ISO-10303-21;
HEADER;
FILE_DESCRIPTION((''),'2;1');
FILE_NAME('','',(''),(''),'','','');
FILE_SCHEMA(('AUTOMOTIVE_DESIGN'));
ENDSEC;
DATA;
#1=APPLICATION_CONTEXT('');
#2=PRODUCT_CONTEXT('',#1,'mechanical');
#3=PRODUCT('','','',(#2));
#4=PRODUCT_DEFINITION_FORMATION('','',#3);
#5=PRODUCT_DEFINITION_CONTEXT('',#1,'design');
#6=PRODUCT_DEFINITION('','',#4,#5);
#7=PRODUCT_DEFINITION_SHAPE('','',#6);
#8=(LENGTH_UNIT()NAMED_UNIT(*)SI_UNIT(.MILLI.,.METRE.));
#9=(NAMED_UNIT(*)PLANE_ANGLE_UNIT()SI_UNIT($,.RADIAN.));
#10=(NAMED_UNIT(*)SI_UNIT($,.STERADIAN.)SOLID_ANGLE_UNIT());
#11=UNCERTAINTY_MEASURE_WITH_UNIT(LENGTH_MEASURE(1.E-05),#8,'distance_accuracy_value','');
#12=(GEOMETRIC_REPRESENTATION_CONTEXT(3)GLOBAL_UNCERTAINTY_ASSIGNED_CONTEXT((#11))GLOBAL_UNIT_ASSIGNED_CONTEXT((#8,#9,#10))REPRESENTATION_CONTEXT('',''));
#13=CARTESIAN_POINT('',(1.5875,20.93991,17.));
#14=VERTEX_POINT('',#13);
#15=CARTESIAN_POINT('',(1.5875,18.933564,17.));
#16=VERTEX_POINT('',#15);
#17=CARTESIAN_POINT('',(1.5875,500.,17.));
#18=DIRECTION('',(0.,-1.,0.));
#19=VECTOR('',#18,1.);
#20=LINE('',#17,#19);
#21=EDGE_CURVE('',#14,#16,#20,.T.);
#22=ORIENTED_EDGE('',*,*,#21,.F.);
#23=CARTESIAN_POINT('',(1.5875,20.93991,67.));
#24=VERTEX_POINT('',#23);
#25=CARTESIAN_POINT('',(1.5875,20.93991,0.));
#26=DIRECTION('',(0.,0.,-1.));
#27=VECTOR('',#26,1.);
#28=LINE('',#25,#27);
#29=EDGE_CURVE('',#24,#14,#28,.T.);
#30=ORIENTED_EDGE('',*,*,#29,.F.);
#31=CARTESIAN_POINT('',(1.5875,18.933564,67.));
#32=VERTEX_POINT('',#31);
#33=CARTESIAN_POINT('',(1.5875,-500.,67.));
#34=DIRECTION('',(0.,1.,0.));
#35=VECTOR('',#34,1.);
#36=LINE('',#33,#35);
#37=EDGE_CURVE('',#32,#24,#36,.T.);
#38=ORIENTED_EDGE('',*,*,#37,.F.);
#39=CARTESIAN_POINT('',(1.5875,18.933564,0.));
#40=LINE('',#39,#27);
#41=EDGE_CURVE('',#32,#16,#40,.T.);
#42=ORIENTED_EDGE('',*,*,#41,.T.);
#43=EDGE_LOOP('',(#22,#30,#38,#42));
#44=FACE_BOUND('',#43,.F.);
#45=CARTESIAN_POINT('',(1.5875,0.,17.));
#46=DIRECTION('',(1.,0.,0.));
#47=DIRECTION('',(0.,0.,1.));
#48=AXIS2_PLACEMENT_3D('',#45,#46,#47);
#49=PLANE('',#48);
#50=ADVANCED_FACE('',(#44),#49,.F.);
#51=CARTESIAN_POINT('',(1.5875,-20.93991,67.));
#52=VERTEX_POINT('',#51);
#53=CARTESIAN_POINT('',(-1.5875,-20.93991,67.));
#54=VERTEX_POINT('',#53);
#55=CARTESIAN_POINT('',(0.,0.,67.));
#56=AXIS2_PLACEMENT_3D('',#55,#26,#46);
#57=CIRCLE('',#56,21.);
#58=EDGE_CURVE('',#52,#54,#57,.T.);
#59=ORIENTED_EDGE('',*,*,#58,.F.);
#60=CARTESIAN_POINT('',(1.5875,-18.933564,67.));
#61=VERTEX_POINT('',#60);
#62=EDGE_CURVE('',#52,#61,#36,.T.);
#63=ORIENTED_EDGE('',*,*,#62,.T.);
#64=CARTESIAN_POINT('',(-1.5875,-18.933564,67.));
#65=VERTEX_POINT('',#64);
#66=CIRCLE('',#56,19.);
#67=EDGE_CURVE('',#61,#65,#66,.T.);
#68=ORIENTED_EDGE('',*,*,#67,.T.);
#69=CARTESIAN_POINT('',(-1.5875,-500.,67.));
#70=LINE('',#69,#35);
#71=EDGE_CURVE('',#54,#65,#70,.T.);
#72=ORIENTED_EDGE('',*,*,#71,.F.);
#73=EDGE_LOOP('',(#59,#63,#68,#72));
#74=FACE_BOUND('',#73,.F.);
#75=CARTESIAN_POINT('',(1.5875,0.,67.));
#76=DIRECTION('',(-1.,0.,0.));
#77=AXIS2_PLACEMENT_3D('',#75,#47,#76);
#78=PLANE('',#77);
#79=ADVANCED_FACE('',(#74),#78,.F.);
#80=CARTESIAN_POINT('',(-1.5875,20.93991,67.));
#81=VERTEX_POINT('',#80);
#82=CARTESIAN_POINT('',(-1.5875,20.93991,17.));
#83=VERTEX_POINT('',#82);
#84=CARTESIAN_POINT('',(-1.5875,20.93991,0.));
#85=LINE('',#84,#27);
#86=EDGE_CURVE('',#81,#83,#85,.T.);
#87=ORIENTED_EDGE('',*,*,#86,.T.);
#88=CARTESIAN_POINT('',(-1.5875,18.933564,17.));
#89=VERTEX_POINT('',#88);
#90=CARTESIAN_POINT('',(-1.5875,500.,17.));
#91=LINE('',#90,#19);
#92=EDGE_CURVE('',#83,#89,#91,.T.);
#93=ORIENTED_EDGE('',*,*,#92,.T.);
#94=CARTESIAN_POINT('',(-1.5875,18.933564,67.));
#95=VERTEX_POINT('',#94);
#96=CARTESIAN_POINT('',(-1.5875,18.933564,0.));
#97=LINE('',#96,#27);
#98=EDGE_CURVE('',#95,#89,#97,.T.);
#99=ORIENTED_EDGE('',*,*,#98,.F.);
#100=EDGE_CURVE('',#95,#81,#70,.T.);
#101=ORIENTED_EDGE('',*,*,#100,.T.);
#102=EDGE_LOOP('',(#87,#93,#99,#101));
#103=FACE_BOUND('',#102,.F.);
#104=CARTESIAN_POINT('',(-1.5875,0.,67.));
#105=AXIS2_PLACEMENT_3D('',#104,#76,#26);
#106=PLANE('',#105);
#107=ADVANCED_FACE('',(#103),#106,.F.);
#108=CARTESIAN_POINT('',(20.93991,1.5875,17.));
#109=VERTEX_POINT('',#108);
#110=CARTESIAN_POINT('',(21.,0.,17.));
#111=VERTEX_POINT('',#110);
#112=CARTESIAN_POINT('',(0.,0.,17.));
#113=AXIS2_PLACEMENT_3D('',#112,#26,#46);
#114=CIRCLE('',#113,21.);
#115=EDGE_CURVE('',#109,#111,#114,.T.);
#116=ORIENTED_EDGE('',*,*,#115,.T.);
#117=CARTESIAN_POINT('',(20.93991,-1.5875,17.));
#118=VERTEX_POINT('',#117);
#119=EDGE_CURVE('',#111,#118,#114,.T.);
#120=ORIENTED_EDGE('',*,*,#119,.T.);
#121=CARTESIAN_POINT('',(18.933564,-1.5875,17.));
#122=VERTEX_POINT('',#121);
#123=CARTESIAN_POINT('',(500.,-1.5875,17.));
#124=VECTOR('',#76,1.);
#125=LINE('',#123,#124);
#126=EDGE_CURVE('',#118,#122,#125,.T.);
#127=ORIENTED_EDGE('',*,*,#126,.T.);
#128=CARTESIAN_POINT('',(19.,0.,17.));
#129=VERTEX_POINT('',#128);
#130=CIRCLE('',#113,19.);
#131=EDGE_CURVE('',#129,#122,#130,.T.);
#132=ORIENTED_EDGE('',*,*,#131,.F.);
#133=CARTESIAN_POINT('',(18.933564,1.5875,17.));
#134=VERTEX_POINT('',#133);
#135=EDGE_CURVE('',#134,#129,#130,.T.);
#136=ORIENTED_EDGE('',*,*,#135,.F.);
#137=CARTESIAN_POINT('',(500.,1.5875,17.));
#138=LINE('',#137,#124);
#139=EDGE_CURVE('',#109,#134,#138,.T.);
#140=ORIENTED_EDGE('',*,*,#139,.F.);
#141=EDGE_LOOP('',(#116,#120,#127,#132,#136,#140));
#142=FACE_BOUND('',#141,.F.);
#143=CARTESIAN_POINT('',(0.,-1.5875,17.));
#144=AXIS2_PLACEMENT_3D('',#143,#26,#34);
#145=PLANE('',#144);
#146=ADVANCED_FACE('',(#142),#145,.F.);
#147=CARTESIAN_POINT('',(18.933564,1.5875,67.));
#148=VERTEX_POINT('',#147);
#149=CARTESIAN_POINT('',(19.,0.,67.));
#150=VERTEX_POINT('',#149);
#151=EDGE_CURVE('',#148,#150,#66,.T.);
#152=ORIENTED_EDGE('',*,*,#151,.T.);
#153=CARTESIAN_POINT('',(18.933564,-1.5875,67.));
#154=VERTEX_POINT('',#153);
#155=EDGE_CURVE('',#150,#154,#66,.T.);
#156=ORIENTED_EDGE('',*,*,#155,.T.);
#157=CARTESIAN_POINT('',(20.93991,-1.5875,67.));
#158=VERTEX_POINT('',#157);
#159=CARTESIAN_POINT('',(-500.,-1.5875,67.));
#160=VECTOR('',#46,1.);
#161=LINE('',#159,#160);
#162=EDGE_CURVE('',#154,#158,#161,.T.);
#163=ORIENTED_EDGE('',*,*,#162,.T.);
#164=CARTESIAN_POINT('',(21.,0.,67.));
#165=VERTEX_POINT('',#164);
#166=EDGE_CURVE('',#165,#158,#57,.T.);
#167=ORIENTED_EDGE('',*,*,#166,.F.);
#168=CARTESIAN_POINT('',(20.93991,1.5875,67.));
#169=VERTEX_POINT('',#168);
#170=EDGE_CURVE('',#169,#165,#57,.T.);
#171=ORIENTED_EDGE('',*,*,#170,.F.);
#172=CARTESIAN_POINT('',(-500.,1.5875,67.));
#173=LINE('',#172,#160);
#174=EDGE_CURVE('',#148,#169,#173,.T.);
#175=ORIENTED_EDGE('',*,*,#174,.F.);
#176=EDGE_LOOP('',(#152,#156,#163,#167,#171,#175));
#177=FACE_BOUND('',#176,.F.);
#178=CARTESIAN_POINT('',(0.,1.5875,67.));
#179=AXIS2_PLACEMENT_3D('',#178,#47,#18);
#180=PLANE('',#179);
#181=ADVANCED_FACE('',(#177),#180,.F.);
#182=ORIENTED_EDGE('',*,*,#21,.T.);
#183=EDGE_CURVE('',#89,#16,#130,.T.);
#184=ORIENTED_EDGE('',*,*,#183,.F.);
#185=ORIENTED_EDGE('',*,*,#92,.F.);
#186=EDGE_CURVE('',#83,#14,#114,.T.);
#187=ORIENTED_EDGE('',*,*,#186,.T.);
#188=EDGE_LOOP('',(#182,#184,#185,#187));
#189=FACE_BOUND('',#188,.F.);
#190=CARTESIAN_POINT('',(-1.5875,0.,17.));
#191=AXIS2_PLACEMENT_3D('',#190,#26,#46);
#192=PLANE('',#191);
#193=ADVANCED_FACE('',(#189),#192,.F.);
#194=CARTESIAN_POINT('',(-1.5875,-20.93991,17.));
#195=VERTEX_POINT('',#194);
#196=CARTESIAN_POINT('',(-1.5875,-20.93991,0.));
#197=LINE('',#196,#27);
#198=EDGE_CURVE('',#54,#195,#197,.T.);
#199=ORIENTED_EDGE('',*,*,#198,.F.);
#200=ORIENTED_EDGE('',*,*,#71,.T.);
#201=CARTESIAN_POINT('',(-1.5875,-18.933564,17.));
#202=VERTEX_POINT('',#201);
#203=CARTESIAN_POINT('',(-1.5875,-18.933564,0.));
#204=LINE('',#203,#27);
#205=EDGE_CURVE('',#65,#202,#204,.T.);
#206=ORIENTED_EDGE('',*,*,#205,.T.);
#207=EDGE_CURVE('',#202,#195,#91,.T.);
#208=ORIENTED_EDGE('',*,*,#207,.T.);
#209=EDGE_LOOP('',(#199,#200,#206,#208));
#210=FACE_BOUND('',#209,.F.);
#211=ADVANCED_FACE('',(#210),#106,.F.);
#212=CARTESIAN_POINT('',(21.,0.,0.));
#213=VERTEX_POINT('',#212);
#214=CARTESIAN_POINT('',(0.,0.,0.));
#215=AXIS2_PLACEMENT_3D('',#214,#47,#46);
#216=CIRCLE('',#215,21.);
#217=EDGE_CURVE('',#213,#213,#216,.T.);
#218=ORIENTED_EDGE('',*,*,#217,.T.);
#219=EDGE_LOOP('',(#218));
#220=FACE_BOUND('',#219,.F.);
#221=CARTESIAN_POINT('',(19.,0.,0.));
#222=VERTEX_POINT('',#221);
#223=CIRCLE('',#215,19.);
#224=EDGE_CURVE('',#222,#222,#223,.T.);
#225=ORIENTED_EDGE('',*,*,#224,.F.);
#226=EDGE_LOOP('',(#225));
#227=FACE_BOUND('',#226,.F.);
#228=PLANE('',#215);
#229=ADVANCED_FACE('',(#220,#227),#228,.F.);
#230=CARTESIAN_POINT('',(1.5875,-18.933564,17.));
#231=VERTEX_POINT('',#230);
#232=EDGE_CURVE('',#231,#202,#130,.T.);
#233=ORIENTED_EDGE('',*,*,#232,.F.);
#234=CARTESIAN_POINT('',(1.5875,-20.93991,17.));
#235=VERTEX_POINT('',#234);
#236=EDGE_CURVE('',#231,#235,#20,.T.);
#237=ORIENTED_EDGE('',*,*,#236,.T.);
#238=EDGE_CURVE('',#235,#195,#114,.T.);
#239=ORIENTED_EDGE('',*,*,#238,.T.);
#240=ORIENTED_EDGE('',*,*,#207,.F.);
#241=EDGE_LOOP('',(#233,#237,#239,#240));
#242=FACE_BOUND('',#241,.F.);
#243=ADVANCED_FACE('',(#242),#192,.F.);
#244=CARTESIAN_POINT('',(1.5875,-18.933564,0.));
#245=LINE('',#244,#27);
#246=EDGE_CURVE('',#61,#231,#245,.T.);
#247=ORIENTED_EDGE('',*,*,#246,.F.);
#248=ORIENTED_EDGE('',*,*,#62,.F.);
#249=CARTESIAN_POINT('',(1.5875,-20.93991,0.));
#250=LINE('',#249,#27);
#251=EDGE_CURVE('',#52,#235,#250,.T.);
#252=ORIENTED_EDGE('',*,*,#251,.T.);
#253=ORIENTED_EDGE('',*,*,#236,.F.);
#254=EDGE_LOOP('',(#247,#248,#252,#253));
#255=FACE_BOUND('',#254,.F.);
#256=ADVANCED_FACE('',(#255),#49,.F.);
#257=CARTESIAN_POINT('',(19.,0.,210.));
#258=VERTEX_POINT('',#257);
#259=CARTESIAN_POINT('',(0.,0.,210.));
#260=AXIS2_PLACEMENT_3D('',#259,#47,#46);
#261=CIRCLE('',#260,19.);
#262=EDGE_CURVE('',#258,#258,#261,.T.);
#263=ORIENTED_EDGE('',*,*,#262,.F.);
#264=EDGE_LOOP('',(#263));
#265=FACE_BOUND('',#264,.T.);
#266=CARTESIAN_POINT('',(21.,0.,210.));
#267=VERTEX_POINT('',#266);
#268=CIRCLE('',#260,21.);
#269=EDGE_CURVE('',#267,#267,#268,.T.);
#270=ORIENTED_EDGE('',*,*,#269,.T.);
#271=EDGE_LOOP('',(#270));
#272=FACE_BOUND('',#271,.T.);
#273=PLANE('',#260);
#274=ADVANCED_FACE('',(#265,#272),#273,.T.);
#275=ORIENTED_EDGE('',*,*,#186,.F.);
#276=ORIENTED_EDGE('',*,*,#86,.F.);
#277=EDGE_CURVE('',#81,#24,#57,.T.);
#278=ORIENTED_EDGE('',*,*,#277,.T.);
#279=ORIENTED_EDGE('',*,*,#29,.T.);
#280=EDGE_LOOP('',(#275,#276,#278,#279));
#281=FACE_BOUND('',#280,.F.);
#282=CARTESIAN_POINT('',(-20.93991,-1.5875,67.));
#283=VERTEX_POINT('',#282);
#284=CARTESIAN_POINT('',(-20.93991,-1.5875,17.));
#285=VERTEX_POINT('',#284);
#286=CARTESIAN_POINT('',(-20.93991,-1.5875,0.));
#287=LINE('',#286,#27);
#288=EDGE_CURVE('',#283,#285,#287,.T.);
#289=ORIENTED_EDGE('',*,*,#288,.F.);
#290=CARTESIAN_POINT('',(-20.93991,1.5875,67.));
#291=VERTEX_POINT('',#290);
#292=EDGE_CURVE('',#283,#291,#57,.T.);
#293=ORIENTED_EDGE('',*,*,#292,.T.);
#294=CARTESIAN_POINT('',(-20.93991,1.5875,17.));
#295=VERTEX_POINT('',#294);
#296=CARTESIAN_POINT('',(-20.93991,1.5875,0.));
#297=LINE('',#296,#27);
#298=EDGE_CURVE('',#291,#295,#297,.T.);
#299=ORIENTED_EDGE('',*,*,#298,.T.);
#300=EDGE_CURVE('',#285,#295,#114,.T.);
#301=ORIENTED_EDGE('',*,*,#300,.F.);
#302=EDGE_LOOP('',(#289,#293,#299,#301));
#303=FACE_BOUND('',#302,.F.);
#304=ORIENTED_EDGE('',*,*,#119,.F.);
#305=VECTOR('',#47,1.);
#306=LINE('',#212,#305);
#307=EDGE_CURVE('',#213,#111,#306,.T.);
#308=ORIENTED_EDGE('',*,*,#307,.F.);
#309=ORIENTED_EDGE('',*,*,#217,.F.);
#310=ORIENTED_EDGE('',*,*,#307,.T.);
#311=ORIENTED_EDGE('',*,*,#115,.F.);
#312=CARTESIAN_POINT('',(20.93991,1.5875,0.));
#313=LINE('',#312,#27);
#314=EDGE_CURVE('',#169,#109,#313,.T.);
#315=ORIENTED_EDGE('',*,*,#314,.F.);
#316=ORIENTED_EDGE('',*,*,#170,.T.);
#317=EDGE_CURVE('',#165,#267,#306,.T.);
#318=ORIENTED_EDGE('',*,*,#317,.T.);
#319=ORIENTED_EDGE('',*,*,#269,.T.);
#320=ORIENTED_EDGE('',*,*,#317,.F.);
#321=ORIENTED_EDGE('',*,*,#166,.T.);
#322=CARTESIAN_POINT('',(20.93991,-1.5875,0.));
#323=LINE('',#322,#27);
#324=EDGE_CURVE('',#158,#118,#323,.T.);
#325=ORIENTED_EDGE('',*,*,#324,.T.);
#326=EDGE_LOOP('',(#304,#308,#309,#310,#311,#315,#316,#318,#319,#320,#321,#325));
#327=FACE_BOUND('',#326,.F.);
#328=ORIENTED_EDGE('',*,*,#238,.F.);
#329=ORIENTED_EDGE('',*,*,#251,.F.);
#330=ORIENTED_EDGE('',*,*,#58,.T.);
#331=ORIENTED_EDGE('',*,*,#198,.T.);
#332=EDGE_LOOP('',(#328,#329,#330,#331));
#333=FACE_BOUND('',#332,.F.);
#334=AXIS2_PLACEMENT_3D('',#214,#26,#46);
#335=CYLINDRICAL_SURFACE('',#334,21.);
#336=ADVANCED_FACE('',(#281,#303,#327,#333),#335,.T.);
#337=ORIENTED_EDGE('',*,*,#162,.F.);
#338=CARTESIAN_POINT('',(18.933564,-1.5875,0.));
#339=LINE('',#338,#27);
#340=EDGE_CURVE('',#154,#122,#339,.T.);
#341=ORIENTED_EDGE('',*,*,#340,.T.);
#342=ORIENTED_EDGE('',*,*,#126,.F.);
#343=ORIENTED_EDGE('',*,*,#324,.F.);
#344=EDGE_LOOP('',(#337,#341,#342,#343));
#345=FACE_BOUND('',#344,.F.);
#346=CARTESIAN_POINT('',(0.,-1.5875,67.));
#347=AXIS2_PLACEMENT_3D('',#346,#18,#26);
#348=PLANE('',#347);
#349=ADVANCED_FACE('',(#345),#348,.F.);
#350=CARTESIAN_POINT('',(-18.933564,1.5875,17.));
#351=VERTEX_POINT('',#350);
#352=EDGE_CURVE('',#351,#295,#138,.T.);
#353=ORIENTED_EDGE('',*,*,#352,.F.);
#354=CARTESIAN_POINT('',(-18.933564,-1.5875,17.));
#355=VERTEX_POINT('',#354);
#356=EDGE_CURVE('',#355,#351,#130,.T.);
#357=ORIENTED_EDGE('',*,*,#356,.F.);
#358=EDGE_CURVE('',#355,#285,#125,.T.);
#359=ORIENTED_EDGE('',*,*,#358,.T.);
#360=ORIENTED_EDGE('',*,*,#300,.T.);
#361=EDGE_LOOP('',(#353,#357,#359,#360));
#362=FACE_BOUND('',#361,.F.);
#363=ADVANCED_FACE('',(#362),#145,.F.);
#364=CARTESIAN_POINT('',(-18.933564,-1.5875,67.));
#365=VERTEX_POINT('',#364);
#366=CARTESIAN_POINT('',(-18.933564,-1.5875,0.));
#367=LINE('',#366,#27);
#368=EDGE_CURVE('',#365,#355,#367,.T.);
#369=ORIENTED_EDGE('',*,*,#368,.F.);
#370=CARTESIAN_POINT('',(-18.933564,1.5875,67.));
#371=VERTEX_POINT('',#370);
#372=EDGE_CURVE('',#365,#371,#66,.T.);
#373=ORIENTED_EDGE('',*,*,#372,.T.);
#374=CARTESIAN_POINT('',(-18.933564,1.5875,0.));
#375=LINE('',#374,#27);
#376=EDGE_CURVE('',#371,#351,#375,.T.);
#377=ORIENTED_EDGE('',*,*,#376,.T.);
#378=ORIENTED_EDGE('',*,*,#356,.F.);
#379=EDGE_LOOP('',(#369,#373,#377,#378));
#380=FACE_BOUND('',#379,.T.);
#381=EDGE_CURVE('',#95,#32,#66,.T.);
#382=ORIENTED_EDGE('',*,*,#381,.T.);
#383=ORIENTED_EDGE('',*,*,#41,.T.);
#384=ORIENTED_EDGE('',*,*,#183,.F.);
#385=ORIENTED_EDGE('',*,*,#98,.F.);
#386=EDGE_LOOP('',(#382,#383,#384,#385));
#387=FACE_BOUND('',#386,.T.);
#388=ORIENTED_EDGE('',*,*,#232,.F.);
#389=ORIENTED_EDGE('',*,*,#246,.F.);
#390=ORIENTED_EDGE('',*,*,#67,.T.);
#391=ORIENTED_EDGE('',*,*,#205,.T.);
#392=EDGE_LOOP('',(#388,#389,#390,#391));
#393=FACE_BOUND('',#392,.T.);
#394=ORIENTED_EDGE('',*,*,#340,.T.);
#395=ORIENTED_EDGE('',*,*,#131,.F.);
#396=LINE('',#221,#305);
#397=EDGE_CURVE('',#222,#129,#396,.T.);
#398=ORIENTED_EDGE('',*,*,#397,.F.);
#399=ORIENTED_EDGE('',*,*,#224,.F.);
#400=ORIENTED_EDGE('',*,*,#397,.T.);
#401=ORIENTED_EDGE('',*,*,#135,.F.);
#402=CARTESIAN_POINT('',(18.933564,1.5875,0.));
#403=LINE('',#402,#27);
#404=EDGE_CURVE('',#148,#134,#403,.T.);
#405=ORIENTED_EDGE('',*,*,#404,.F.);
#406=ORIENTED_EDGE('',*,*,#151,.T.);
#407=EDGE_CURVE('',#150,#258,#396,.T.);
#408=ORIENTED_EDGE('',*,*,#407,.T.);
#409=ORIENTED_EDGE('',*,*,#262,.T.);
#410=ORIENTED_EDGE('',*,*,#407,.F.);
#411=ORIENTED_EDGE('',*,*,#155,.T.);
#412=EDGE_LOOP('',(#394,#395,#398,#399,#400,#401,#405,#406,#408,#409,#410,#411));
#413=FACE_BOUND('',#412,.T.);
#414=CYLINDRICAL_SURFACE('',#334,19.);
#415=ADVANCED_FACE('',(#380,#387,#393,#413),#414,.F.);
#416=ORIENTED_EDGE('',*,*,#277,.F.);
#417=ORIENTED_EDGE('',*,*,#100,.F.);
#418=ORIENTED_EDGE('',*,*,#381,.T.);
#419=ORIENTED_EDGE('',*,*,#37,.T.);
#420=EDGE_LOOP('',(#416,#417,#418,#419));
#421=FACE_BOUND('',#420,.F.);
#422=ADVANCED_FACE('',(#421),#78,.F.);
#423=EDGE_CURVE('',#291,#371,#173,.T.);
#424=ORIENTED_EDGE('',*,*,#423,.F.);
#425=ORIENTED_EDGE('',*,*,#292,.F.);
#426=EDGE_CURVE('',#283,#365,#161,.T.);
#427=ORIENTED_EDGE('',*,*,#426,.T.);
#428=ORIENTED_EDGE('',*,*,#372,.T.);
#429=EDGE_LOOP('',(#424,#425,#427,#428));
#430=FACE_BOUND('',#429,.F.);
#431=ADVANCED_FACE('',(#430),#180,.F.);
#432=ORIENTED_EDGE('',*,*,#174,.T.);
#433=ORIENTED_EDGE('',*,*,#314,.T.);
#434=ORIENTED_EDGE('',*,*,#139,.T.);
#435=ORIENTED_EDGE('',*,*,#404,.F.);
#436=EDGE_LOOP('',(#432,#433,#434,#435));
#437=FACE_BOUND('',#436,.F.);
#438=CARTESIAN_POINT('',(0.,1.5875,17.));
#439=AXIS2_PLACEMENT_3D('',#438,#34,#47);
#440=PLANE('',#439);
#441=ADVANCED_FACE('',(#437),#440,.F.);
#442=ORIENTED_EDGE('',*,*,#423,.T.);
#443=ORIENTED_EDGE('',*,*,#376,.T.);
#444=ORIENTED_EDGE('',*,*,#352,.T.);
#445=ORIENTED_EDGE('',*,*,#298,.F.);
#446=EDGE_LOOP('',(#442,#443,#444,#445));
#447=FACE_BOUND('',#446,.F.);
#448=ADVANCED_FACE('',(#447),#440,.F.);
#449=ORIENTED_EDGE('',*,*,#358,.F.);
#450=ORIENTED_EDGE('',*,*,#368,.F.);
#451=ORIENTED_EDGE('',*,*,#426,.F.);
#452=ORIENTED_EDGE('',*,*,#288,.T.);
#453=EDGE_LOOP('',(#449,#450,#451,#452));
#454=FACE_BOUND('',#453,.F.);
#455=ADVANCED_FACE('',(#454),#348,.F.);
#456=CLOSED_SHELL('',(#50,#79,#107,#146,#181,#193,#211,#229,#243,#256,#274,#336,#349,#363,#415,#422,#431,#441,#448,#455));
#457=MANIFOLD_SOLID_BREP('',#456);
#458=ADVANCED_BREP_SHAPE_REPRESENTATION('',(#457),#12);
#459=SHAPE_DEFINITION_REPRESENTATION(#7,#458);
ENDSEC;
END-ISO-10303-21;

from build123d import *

# Parameters (mm, degrees)
F0_R     = 21
F0_R_2   = 19
F1_DEPTH = 210
F3_DEPTH = 500
F5_DEPTH = 500


with BuildPart() as f1:
    # F0 (on Top) → F1 (new body)
    with BuildSketch(Plane.XY):
        Circle(F0_R)
        Circle(F0_R_2, mode=Mode.SUBTRACT)
    extrude(amount=F1_DEPTH)

    # F2 (on Front) → F3 (cut, symmetric)
    with BuildSketch(Plane.XZ):
        Polygon((-1.5875, 67), (-1.5875, 17), (0, 17), (1.5875, 17), (1.5875, 67), align=None)
    extrude(amount=F3_DEPTH, both=True, mode=Mode.SUBTRACT)

    # F4 (on Right) → F5 (cut, symmetric)
    with BuildSketch(Plane.YZ):
        Polygon((0, 17), (1.5875, 17), (1.5875, 67), (-1.5875, 67), (-1.5875, 17), align=None)
    extrude(amount=F5_DEPTH, both=True, mode=Mode.SUBTRACT)


solid = f1.part
